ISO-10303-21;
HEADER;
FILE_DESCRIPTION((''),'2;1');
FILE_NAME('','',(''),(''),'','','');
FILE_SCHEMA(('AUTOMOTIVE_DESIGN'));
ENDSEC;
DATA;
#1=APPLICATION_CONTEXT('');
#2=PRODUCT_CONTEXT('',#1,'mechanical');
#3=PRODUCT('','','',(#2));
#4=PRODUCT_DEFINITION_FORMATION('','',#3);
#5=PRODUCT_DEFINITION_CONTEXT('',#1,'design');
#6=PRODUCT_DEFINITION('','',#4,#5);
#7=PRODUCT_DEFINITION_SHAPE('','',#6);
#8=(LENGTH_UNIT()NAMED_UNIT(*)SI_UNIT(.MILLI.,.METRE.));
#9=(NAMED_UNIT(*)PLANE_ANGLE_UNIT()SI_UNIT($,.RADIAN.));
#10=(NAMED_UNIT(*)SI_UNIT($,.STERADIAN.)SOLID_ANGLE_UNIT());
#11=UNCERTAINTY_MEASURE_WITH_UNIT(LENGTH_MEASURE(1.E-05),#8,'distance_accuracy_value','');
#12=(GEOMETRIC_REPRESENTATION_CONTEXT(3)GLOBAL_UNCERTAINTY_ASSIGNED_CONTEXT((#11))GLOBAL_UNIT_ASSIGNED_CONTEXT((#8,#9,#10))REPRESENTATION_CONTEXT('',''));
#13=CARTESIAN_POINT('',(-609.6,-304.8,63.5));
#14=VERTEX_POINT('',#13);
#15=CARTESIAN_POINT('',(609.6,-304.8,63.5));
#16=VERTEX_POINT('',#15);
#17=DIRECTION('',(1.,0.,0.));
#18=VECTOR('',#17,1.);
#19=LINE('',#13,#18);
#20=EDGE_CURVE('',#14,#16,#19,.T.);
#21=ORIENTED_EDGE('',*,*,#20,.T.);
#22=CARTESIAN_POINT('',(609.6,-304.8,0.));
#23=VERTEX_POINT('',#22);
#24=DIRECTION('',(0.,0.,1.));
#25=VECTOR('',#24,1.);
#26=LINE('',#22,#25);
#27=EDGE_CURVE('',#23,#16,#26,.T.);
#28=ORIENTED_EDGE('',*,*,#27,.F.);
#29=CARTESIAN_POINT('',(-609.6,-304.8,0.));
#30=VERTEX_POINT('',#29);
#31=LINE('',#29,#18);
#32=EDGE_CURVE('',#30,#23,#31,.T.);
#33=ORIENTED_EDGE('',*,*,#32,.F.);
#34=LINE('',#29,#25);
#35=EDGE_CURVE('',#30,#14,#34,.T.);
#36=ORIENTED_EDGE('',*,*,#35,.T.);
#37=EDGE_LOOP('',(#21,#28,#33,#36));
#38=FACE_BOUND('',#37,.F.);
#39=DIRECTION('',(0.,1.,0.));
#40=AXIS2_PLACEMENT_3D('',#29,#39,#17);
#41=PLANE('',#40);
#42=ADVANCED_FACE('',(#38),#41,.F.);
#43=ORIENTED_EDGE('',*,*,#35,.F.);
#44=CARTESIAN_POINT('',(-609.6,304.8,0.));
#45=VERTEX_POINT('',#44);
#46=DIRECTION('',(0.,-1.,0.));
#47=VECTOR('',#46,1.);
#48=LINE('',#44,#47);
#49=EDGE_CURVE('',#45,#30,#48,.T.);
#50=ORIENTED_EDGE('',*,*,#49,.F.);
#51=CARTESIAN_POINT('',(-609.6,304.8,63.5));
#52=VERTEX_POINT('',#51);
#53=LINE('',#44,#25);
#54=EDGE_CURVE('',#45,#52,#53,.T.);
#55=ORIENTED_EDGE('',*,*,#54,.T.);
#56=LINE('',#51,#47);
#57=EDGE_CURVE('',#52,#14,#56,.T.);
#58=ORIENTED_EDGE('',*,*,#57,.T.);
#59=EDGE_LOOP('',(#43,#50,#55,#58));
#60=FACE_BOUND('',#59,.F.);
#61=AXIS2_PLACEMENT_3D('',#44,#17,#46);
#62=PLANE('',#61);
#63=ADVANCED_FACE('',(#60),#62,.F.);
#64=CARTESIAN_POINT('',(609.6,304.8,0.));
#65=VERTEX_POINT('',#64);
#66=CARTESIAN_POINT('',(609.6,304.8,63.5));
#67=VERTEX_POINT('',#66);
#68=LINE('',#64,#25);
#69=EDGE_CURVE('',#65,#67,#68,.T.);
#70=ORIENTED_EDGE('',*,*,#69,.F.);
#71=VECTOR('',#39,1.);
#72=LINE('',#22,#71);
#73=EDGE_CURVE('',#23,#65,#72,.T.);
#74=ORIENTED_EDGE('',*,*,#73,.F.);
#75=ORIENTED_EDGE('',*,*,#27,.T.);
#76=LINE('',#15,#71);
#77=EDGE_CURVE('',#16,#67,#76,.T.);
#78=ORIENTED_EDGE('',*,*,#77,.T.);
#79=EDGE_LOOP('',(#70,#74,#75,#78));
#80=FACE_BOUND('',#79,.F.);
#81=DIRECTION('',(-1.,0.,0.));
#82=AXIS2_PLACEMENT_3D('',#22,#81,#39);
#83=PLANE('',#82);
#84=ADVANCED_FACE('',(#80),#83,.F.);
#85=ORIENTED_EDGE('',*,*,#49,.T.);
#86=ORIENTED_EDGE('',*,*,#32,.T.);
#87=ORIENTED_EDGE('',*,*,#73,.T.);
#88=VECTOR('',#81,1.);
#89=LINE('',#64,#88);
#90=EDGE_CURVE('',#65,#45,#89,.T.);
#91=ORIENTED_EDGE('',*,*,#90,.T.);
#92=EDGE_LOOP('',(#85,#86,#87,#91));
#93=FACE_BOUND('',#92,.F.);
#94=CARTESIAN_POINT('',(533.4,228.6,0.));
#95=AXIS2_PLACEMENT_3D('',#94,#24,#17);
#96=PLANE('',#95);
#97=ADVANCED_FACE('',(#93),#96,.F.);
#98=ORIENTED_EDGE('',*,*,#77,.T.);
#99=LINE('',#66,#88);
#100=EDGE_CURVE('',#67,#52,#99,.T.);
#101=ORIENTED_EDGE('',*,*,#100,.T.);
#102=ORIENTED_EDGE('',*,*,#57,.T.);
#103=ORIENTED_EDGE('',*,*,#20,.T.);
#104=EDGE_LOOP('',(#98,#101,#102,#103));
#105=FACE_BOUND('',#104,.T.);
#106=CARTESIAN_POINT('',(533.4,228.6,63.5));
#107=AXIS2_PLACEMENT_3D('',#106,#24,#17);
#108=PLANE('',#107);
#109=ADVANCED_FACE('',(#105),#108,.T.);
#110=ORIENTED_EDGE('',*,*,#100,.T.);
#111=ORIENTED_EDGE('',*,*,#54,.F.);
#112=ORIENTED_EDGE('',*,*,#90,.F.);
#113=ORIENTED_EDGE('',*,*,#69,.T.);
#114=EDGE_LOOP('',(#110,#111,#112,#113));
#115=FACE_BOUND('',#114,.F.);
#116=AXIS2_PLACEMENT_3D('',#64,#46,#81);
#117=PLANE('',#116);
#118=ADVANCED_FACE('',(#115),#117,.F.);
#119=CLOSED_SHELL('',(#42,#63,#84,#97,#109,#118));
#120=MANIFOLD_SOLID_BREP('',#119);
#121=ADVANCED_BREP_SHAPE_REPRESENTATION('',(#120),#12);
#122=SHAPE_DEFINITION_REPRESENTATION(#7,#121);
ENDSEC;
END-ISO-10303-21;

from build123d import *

# Parameters (mm, degrees)
F0_W     = 152.4
F0_H     = 152.4
F0_W_2   = 101.6
F0_H_2   = 101.6
F1_DEPTH = 63.5


with BuildPart() as f1:
    # F0 (on Top) → F1 (new body)
    with BuildSketch(Plane.XY):
        with Locations((533.4, 228.6)):
            Rectangle(F0_W, F0_H)
        with Locations((533.4, 228.6)):
            Rectangle(F0_W_2, F0_H_2, mode=Mode.SUBTRACT)
        Polygon((457.2, 152.4), (457.2, 304.8), (-457.2, 304.8), (-457.2, 152.4), (-609.6, 152.4), (-609.6, -152.4), (-457.2, -152.4), (-457.2, -304.8), (457.2, -304.8), (457.2, -152.4), (609.6, -152.4), (609.6, 152.4), align=None)
        with Locations((-533.4, 228.6)):
            Rectangle(F0_W, F0_H)
        with Locations((-533.4, 228.6)):
            Rectangle(F0_W_2, F0_H_2, mode=Mode.SUBTRACT)
        with Locations((533.4, -228.6)):
            Rectangle(F0_W, F0_H)
        with Locations((533.4, -228.6)):
            Rectangle(F0_W_2, F0_H_2, mode=Mode.SUBTRACT)
        with Locations((-533.4, -228.6)):
            Rectangle(F0_W, F0_H)
        with Locations((-533.4, -228.6)):
            Rectangle(F0_W_2, F0_H_2, mode=Mode.SUBTRACT)
        with Locations((-533.4, -228.6)):
            Rectangle(F0_W_2, F0_H_2)
        with Locations((-533.4, 228.6)):
            Rectangle(F0_W_2, F0_H_2)
        with Locations((533.4, 228.6)):
            Rectangle(F0_W_2, F0_H_2)
        with Locations((533.4, -228.6)):
            Rectangle(F0_W_2, F0_H_2)
    extrude(amount=F1_DEPTH)


solid = f1.part
